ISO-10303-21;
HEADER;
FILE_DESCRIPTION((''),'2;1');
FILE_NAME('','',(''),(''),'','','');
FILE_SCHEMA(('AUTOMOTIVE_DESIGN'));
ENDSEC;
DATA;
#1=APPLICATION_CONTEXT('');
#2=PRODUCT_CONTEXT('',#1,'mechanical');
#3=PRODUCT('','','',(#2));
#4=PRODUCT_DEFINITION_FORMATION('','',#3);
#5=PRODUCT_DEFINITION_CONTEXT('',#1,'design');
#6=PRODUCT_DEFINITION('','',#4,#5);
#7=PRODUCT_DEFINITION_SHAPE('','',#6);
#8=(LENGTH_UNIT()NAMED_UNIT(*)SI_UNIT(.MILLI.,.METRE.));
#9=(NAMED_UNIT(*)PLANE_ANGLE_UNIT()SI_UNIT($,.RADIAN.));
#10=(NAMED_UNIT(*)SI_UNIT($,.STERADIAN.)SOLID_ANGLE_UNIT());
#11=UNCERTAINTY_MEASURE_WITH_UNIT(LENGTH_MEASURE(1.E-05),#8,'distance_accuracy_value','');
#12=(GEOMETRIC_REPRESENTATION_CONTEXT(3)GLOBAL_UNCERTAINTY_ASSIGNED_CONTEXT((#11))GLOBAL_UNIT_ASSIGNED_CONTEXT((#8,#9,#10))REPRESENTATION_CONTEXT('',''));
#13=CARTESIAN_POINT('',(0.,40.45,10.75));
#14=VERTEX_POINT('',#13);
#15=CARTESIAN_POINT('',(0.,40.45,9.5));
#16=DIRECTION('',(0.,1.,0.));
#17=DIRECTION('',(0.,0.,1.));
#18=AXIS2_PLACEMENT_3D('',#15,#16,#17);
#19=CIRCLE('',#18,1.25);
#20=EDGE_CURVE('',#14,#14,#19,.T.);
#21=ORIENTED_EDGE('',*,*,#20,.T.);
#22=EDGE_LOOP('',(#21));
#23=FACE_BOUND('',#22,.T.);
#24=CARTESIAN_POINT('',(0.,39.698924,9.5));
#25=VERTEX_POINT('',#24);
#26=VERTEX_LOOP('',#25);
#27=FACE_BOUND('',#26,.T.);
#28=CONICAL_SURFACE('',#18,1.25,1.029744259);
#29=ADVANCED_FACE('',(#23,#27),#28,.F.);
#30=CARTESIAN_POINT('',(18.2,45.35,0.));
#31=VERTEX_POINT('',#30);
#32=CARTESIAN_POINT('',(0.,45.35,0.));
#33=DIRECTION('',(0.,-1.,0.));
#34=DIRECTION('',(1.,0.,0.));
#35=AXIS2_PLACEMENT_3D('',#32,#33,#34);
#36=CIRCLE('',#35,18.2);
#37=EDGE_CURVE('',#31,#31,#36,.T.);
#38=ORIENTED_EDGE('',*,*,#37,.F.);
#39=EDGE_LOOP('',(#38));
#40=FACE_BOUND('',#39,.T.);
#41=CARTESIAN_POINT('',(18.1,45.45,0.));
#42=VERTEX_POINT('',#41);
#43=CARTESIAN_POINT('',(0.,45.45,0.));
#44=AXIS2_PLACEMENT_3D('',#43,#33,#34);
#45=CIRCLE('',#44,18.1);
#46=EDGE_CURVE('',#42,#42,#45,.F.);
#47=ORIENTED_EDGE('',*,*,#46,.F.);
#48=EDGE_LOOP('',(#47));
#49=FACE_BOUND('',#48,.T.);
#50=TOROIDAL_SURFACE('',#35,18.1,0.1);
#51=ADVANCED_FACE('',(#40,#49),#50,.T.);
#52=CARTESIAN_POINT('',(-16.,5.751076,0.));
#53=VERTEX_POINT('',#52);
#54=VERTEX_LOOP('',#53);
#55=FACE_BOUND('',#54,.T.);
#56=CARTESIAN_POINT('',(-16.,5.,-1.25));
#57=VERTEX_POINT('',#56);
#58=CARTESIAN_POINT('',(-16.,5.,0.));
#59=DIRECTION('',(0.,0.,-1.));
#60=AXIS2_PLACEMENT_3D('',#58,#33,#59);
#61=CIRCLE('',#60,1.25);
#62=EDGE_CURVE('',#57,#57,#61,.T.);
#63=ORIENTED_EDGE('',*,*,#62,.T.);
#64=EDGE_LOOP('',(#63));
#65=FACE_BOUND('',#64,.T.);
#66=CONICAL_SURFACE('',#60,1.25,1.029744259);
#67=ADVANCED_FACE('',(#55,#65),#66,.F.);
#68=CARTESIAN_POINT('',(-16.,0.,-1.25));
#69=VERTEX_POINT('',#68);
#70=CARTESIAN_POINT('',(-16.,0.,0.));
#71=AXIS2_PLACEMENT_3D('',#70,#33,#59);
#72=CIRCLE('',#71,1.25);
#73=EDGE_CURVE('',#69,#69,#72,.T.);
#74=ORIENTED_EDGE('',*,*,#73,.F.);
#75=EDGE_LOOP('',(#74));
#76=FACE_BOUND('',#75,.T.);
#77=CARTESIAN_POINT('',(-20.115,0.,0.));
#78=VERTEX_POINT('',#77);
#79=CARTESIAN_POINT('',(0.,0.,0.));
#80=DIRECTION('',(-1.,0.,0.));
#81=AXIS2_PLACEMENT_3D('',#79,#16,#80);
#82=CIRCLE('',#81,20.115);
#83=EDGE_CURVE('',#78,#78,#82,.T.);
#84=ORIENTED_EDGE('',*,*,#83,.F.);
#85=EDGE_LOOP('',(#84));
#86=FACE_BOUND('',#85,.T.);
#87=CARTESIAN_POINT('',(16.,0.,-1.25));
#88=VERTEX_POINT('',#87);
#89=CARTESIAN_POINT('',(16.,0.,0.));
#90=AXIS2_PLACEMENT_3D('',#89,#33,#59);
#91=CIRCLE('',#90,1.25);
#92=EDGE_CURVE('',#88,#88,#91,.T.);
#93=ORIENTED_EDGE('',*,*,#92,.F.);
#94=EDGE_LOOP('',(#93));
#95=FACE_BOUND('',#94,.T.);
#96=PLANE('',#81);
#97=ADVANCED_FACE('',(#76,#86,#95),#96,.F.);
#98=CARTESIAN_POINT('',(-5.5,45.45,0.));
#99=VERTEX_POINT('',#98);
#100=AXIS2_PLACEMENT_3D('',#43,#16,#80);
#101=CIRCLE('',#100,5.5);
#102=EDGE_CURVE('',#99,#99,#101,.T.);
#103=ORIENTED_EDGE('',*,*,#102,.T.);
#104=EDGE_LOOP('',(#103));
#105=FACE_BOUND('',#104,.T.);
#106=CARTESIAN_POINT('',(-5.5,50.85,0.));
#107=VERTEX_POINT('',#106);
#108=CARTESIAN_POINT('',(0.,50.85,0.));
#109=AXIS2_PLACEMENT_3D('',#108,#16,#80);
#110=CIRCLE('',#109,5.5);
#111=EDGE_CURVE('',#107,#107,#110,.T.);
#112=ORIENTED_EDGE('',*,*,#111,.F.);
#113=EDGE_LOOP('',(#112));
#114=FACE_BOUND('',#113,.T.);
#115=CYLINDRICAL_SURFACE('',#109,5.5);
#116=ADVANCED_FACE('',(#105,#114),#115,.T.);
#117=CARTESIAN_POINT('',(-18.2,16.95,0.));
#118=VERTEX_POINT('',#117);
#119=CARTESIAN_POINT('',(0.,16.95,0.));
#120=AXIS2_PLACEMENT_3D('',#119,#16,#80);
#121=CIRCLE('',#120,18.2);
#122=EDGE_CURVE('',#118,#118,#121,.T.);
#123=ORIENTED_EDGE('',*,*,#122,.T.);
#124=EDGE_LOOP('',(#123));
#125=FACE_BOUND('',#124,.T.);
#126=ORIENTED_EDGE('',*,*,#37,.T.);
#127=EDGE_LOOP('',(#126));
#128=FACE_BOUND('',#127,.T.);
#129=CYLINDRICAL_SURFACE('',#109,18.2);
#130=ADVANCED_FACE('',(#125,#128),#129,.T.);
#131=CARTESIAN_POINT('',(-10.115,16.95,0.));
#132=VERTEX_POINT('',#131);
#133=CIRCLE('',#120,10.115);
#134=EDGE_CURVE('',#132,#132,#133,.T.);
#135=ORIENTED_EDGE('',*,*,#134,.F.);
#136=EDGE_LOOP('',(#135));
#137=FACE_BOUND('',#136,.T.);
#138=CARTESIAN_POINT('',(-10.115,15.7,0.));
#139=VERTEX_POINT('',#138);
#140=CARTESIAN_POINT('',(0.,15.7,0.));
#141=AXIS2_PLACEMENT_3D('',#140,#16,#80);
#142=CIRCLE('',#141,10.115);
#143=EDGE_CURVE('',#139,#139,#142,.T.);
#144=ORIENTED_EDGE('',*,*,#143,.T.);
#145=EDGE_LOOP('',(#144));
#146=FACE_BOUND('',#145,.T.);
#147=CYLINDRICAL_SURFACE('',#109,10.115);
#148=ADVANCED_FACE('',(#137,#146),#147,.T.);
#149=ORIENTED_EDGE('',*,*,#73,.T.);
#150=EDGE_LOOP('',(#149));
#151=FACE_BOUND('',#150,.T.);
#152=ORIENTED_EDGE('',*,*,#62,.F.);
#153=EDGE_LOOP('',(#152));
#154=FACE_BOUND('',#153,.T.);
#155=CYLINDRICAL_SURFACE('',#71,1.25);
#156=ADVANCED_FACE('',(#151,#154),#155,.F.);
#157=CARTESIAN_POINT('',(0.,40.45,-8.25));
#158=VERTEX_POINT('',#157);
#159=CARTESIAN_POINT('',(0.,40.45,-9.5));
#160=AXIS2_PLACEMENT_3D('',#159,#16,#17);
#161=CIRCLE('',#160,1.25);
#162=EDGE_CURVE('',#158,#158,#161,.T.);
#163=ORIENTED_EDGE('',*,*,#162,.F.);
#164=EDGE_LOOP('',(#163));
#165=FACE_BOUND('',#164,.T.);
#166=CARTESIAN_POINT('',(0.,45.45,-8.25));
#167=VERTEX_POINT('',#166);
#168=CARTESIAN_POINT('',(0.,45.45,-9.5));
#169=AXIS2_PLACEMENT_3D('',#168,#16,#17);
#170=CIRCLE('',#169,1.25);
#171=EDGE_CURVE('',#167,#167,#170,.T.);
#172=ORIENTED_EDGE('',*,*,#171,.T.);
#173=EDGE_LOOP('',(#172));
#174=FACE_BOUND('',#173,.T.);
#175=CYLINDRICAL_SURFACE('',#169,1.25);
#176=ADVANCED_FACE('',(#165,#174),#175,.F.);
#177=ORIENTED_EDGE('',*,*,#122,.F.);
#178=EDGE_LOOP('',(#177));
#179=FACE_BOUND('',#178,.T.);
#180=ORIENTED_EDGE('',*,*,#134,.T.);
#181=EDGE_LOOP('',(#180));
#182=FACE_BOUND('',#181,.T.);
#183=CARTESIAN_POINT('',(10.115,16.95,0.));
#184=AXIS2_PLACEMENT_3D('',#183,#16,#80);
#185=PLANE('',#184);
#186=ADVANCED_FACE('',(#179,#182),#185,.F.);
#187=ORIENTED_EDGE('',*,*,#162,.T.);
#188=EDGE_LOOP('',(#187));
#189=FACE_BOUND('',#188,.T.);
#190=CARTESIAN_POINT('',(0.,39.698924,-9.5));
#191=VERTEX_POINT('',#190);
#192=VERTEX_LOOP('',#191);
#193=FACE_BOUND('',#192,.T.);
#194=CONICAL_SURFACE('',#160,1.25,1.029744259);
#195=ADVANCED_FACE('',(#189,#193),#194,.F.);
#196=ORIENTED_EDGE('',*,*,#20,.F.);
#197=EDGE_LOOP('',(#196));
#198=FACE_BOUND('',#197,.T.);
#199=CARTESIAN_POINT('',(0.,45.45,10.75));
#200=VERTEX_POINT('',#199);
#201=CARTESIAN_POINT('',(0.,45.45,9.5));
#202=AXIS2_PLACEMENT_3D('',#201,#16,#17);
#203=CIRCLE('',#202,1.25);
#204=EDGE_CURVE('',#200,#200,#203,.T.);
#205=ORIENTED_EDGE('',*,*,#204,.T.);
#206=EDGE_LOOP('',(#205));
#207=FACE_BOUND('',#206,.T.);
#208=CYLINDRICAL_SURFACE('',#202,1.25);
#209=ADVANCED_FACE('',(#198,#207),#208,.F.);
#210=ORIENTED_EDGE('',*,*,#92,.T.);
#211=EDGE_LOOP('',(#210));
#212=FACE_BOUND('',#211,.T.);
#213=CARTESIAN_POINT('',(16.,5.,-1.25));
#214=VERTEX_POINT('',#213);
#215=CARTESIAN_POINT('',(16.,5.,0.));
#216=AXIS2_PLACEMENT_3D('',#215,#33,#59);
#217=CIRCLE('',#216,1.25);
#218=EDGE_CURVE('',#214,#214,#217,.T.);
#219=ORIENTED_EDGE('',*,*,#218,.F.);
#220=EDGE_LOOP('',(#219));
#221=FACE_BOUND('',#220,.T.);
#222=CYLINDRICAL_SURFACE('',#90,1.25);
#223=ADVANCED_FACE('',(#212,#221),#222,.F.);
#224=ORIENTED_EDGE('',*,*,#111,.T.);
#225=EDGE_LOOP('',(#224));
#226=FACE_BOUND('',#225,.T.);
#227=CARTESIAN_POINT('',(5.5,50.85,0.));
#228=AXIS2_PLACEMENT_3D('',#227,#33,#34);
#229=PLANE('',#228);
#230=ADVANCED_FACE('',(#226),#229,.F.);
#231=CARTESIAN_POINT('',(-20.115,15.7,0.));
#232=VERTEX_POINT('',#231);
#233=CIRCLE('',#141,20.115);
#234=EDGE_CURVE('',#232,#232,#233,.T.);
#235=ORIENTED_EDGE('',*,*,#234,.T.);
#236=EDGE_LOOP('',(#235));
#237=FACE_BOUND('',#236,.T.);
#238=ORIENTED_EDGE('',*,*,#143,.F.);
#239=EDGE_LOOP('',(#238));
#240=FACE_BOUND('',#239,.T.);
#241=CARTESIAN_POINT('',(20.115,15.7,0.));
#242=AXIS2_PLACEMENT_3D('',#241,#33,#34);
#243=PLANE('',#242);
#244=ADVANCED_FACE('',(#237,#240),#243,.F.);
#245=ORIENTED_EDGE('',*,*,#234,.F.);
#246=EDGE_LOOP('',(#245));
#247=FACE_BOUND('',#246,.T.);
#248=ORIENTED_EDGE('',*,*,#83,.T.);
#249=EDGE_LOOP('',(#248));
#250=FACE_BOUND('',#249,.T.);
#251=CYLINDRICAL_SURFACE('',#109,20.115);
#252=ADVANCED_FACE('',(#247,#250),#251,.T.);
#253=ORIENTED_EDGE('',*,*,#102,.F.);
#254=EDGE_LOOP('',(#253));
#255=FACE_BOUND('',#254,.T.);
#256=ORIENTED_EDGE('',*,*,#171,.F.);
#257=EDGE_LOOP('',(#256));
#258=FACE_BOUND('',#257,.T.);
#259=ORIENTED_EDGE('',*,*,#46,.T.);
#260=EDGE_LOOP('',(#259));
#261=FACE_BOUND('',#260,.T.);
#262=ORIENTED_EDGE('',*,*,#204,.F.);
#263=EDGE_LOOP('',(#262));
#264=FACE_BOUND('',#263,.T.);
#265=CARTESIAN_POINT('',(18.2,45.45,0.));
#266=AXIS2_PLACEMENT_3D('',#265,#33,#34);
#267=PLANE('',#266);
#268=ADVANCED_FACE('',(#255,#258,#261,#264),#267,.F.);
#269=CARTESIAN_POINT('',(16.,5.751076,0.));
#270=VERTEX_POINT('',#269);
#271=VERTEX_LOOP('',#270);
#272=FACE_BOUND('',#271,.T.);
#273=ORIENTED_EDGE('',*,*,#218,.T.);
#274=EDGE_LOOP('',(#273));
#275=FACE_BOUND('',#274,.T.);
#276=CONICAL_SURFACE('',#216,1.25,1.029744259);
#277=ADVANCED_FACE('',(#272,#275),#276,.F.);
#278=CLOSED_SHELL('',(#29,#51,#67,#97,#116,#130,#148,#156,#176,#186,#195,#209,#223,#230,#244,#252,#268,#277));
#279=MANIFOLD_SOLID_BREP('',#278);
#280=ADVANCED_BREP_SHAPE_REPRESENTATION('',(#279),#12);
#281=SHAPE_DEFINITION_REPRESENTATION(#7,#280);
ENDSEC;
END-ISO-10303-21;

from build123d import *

# Parameters (mm, degrees)
M3X0_5_TAPPED_HOLE1_D               = 2.5
M3X0_5_TAPPED_HOLE1_DEPTH           = 5
M3X0_5_TAPPED_HOLE1_TIP             = 0.751075774
M3X0_5_TAPPED_HOLE1_ON_FACE_2_D     = 2.5
M3X0_5_TAPPED_HOLE1_ON_FACE_2_DEPTH = 5
M3X0_5_TAPPED_HOLE1_ON_FACE_2_TIP   = 0.751075774
FILLET1_R                           = 0.1


with BuildPart() as part:
    # Sketch1 → Revolve1 (revolve)
    with BuildSketch(Plane.XY):
        Polygon((0, 0), (20.115, 0), (20.115, 15.7), (10.115, 15.7), (10.115, 16.95), (18.2, 16.95), (18.2, 45.45), (5.5, 45.45), (5.5, 50.85), (0, 50.85), align=None)
    revolve(axis=Axis((0, 50.85, 0), (0, -1, 0)))

    # M3x0.5 Tapped Hole1
    with Locations(Plane(origin=(0, 45.45, -9.5), x_dir=(1, 0, 0), z_dir=(0, 1, 0))):
        with Locations((0, 0), (0, -19)):
            Hole(M3X0_5_TAPPED_HOLE1_D / 2, depth=M3X0_5_TAPPED_HOLE1_DEPTH)
            with Locations((0, 0, -(M3X0_5_TAPPED_HOLE1_DEPTH + M3X0_5_TAPPED_HOLE1_TIP / 2))):  # 118° drill point
                Cone(0, M3X0_5_TAPPED_HOLE1_D / 2, M3X0_5_TAPPED_HOLE1_TIP, mode=Mode.SUBTRACT)

    # M3x0.5 Tapped Hole1 on face 2
    with Locations(Plane(origin=(-16, 0, 0), x_dir=(0, 0, -1), z_dir=(0, -1, 0))):
        with Locations((0, 0), (0, 32)):
            Hole(M3X0_5_TAPPED_HOLE1_ON_FACE_2_D / 2, depth=M3X0_5_TAPPED_HOLE1_ON_FACE_2_DEPTH)
            with Locations((0, 0, -(M3X0_5_TAPPED_HOLE1_ON_FACE_2_DEPTH + M3X0_5_TAPPED_HOLE1_ON_FACE_2_TIP / 2))):  # 118° drill point
                Cone(0, M3X0_5_TAPPED_HOLE1_ON_FACE_2_D / 2, M3X0_5_TAPPED_HOLE1_ON_FACE_2_TIP, mode=Mode.SUBTRACT)

    # Fillet1
    fillet1_edges = [part.edges().sort_by_distance(p)[0] for p in [
        (-18.2, 45.45, 0),
    ]]
    fillet(fillet1_edges, radius=FILLET1_R)


solid = part.part
